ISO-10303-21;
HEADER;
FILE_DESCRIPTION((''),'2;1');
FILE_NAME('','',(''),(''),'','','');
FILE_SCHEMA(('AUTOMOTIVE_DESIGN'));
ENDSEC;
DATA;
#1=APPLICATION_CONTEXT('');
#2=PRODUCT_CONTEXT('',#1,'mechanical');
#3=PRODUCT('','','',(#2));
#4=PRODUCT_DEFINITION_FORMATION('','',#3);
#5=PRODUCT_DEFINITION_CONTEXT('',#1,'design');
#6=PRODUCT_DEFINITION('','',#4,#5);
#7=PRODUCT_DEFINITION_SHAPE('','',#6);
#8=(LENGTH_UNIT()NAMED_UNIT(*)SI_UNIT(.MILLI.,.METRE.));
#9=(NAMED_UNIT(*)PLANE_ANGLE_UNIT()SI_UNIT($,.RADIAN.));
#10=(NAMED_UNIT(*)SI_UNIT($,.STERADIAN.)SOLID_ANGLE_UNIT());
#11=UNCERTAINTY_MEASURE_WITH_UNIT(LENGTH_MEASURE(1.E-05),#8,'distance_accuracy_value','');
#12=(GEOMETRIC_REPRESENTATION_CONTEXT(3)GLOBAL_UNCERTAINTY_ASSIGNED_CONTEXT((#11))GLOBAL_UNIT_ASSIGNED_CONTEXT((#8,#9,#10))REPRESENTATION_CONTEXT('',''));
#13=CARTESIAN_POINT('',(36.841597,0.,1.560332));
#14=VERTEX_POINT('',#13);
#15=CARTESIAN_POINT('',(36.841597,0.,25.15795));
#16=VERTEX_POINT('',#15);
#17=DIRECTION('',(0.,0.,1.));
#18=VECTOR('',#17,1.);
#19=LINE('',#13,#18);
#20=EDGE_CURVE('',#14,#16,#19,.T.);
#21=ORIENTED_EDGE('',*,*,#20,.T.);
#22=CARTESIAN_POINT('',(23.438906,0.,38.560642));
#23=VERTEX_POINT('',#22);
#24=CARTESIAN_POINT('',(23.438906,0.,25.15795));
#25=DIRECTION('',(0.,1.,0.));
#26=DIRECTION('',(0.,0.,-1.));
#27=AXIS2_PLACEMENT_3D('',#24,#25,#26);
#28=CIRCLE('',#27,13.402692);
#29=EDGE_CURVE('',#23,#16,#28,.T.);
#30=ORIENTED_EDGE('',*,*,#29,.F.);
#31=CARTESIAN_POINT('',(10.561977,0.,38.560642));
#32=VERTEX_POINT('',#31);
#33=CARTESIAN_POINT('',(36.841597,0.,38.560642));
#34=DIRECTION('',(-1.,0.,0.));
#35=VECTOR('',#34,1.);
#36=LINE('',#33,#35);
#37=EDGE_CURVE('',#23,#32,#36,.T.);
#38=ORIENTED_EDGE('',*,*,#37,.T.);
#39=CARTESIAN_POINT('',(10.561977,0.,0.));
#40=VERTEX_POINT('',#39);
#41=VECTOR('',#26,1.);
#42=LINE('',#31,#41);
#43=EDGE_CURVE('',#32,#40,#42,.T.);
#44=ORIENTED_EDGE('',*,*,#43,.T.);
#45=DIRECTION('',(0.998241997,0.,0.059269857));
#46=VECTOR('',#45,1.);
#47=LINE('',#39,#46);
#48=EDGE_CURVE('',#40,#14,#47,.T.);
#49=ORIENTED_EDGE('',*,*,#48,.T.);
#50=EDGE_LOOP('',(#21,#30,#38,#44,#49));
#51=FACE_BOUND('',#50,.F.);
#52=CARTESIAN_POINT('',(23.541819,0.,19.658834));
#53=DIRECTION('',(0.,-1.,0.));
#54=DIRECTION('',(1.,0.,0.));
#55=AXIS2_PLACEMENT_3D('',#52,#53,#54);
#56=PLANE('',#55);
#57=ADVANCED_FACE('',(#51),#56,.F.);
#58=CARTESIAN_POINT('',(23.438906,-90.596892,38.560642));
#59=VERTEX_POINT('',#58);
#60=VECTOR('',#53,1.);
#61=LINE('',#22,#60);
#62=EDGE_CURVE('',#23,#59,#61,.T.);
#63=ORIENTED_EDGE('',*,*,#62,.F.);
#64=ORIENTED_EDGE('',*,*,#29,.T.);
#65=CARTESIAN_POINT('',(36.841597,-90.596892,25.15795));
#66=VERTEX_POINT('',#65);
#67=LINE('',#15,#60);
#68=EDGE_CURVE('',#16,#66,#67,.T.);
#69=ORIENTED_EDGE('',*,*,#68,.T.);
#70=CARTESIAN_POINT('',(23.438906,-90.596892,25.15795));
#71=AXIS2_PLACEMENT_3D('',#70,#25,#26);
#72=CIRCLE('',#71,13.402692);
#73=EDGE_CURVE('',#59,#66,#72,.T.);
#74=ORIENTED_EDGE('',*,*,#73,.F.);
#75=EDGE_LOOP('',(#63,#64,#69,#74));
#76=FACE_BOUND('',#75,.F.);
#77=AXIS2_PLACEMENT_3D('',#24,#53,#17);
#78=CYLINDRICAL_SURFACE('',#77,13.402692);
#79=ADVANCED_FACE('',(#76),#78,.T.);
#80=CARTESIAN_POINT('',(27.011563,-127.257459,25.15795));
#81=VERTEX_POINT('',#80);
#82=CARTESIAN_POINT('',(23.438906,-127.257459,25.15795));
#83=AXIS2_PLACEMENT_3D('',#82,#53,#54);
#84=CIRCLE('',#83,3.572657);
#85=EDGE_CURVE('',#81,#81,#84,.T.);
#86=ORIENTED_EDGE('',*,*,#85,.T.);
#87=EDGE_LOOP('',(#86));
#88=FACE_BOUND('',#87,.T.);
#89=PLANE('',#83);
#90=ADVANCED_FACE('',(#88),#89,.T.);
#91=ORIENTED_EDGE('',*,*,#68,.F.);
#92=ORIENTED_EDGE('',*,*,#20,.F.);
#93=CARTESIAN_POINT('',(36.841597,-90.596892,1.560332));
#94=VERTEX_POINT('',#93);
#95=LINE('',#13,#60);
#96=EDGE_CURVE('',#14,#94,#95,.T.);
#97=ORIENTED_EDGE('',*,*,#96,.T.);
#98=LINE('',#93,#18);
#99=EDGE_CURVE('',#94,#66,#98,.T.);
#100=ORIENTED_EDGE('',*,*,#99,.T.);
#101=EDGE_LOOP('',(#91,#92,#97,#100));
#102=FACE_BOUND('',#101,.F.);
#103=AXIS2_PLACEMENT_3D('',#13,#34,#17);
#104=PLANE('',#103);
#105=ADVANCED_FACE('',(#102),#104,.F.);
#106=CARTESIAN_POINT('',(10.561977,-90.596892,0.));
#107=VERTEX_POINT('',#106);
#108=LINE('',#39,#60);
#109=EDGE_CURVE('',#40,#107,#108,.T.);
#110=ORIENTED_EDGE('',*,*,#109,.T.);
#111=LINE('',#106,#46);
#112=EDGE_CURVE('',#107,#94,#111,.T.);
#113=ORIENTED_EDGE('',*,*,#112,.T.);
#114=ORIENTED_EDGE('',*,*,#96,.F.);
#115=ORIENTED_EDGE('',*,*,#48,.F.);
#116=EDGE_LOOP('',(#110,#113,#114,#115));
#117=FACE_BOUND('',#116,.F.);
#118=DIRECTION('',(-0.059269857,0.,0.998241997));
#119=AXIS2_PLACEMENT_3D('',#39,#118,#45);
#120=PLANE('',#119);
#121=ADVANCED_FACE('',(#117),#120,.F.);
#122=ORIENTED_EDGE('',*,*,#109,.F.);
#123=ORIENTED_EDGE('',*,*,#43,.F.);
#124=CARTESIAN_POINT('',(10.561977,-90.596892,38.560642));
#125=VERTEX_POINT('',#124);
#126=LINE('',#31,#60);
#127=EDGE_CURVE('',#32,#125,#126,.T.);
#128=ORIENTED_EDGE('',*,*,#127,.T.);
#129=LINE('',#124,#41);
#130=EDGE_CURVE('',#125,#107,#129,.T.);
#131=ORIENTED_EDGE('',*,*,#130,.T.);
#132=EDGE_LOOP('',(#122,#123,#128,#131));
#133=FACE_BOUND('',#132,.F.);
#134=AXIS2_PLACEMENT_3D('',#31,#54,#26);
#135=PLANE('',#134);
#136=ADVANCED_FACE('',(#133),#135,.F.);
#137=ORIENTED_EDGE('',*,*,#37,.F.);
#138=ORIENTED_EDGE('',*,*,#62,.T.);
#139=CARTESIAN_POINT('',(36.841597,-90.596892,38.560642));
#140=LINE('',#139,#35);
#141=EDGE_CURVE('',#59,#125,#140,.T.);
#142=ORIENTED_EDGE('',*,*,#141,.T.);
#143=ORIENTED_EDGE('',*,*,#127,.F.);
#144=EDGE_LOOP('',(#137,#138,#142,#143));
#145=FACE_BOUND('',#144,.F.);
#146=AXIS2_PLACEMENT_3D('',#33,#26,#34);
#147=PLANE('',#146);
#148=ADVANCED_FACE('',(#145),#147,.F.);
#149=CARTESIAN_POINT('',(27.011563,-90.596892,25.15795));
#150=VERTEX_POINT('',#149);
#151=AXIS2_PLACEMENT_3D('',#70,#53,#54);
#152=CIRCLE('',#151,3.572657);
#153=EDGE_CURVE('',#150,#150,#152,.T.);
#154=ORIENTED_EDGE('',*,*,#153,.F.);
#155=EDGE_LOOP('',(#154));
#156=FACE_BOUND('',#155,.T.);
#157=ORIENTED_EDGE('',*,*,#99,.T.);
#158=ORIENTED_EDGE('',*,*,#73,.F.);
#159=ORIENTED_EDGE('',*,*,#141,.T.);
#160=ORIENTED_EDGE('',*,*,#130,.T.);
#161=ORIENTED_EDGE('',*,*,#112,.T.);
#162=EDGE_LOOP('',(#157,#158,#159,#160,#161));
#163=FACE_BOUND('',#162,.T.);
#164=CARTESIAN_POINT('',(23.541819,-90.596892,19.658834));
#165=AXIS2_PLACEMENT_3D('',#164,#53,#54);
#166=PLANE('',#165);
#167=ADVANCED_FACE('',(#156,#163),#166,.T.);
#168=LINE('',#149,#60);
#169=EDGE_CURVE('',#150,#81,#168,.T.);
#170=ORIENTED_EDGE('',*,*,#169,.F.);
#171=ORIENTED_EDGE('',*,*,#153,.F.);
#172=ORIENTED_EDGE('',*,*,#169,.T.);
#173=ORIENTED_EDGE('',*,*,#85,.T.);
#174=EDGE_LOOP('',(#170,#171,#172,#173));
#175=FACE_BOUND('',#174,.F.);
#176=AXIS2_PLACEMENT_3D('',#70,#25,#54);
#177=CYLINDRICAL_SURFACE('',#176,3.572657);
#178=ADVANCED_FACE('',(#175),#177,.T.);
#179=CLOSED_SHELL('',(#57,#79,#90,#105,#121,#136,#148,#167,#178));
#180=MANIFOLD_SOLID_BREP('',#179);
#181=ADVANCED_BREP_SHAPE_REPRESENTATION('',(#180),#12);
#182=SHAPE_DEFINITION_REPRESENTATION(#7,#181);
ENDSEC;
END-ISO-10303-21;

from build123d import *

# Parameters (mm, degrees)
F1_DEPTH = 90.5968919396
F2_R     = 13.402691555
F3_R     = 3.5726570055
F4_DEPTH = 36.660566926


with BuildPart() as f1:
    # F0 (on Front) → F1 (new body)
    with BuildSketch(Plane.XZ):
        Polygon((36.8415974081, 38.5606420045), (10.5619765818, 38.5606420045), (10.5619765818, 0), (36.8415974081, 1.5603324458), align=None)
    extrude(amount=F1_DEPTH)

    # F2
    f2_edges = [f1.edges().sort_by_distance(p)[0] for p in [
        (36.841597, -45.298446, 38.560642),
    ]]
    fillet(f2_edges, radius=F2_R)

    # F3 (on face) → F4 (join)
    with BuildSketch(Plane.XZ.offset(90.5968919396)):
        with Locations((23.4389058531, 25.1579504495)):
            Circle(F3_R)
    extrude(amount=F4_DEPTH)


solid = f1.part
